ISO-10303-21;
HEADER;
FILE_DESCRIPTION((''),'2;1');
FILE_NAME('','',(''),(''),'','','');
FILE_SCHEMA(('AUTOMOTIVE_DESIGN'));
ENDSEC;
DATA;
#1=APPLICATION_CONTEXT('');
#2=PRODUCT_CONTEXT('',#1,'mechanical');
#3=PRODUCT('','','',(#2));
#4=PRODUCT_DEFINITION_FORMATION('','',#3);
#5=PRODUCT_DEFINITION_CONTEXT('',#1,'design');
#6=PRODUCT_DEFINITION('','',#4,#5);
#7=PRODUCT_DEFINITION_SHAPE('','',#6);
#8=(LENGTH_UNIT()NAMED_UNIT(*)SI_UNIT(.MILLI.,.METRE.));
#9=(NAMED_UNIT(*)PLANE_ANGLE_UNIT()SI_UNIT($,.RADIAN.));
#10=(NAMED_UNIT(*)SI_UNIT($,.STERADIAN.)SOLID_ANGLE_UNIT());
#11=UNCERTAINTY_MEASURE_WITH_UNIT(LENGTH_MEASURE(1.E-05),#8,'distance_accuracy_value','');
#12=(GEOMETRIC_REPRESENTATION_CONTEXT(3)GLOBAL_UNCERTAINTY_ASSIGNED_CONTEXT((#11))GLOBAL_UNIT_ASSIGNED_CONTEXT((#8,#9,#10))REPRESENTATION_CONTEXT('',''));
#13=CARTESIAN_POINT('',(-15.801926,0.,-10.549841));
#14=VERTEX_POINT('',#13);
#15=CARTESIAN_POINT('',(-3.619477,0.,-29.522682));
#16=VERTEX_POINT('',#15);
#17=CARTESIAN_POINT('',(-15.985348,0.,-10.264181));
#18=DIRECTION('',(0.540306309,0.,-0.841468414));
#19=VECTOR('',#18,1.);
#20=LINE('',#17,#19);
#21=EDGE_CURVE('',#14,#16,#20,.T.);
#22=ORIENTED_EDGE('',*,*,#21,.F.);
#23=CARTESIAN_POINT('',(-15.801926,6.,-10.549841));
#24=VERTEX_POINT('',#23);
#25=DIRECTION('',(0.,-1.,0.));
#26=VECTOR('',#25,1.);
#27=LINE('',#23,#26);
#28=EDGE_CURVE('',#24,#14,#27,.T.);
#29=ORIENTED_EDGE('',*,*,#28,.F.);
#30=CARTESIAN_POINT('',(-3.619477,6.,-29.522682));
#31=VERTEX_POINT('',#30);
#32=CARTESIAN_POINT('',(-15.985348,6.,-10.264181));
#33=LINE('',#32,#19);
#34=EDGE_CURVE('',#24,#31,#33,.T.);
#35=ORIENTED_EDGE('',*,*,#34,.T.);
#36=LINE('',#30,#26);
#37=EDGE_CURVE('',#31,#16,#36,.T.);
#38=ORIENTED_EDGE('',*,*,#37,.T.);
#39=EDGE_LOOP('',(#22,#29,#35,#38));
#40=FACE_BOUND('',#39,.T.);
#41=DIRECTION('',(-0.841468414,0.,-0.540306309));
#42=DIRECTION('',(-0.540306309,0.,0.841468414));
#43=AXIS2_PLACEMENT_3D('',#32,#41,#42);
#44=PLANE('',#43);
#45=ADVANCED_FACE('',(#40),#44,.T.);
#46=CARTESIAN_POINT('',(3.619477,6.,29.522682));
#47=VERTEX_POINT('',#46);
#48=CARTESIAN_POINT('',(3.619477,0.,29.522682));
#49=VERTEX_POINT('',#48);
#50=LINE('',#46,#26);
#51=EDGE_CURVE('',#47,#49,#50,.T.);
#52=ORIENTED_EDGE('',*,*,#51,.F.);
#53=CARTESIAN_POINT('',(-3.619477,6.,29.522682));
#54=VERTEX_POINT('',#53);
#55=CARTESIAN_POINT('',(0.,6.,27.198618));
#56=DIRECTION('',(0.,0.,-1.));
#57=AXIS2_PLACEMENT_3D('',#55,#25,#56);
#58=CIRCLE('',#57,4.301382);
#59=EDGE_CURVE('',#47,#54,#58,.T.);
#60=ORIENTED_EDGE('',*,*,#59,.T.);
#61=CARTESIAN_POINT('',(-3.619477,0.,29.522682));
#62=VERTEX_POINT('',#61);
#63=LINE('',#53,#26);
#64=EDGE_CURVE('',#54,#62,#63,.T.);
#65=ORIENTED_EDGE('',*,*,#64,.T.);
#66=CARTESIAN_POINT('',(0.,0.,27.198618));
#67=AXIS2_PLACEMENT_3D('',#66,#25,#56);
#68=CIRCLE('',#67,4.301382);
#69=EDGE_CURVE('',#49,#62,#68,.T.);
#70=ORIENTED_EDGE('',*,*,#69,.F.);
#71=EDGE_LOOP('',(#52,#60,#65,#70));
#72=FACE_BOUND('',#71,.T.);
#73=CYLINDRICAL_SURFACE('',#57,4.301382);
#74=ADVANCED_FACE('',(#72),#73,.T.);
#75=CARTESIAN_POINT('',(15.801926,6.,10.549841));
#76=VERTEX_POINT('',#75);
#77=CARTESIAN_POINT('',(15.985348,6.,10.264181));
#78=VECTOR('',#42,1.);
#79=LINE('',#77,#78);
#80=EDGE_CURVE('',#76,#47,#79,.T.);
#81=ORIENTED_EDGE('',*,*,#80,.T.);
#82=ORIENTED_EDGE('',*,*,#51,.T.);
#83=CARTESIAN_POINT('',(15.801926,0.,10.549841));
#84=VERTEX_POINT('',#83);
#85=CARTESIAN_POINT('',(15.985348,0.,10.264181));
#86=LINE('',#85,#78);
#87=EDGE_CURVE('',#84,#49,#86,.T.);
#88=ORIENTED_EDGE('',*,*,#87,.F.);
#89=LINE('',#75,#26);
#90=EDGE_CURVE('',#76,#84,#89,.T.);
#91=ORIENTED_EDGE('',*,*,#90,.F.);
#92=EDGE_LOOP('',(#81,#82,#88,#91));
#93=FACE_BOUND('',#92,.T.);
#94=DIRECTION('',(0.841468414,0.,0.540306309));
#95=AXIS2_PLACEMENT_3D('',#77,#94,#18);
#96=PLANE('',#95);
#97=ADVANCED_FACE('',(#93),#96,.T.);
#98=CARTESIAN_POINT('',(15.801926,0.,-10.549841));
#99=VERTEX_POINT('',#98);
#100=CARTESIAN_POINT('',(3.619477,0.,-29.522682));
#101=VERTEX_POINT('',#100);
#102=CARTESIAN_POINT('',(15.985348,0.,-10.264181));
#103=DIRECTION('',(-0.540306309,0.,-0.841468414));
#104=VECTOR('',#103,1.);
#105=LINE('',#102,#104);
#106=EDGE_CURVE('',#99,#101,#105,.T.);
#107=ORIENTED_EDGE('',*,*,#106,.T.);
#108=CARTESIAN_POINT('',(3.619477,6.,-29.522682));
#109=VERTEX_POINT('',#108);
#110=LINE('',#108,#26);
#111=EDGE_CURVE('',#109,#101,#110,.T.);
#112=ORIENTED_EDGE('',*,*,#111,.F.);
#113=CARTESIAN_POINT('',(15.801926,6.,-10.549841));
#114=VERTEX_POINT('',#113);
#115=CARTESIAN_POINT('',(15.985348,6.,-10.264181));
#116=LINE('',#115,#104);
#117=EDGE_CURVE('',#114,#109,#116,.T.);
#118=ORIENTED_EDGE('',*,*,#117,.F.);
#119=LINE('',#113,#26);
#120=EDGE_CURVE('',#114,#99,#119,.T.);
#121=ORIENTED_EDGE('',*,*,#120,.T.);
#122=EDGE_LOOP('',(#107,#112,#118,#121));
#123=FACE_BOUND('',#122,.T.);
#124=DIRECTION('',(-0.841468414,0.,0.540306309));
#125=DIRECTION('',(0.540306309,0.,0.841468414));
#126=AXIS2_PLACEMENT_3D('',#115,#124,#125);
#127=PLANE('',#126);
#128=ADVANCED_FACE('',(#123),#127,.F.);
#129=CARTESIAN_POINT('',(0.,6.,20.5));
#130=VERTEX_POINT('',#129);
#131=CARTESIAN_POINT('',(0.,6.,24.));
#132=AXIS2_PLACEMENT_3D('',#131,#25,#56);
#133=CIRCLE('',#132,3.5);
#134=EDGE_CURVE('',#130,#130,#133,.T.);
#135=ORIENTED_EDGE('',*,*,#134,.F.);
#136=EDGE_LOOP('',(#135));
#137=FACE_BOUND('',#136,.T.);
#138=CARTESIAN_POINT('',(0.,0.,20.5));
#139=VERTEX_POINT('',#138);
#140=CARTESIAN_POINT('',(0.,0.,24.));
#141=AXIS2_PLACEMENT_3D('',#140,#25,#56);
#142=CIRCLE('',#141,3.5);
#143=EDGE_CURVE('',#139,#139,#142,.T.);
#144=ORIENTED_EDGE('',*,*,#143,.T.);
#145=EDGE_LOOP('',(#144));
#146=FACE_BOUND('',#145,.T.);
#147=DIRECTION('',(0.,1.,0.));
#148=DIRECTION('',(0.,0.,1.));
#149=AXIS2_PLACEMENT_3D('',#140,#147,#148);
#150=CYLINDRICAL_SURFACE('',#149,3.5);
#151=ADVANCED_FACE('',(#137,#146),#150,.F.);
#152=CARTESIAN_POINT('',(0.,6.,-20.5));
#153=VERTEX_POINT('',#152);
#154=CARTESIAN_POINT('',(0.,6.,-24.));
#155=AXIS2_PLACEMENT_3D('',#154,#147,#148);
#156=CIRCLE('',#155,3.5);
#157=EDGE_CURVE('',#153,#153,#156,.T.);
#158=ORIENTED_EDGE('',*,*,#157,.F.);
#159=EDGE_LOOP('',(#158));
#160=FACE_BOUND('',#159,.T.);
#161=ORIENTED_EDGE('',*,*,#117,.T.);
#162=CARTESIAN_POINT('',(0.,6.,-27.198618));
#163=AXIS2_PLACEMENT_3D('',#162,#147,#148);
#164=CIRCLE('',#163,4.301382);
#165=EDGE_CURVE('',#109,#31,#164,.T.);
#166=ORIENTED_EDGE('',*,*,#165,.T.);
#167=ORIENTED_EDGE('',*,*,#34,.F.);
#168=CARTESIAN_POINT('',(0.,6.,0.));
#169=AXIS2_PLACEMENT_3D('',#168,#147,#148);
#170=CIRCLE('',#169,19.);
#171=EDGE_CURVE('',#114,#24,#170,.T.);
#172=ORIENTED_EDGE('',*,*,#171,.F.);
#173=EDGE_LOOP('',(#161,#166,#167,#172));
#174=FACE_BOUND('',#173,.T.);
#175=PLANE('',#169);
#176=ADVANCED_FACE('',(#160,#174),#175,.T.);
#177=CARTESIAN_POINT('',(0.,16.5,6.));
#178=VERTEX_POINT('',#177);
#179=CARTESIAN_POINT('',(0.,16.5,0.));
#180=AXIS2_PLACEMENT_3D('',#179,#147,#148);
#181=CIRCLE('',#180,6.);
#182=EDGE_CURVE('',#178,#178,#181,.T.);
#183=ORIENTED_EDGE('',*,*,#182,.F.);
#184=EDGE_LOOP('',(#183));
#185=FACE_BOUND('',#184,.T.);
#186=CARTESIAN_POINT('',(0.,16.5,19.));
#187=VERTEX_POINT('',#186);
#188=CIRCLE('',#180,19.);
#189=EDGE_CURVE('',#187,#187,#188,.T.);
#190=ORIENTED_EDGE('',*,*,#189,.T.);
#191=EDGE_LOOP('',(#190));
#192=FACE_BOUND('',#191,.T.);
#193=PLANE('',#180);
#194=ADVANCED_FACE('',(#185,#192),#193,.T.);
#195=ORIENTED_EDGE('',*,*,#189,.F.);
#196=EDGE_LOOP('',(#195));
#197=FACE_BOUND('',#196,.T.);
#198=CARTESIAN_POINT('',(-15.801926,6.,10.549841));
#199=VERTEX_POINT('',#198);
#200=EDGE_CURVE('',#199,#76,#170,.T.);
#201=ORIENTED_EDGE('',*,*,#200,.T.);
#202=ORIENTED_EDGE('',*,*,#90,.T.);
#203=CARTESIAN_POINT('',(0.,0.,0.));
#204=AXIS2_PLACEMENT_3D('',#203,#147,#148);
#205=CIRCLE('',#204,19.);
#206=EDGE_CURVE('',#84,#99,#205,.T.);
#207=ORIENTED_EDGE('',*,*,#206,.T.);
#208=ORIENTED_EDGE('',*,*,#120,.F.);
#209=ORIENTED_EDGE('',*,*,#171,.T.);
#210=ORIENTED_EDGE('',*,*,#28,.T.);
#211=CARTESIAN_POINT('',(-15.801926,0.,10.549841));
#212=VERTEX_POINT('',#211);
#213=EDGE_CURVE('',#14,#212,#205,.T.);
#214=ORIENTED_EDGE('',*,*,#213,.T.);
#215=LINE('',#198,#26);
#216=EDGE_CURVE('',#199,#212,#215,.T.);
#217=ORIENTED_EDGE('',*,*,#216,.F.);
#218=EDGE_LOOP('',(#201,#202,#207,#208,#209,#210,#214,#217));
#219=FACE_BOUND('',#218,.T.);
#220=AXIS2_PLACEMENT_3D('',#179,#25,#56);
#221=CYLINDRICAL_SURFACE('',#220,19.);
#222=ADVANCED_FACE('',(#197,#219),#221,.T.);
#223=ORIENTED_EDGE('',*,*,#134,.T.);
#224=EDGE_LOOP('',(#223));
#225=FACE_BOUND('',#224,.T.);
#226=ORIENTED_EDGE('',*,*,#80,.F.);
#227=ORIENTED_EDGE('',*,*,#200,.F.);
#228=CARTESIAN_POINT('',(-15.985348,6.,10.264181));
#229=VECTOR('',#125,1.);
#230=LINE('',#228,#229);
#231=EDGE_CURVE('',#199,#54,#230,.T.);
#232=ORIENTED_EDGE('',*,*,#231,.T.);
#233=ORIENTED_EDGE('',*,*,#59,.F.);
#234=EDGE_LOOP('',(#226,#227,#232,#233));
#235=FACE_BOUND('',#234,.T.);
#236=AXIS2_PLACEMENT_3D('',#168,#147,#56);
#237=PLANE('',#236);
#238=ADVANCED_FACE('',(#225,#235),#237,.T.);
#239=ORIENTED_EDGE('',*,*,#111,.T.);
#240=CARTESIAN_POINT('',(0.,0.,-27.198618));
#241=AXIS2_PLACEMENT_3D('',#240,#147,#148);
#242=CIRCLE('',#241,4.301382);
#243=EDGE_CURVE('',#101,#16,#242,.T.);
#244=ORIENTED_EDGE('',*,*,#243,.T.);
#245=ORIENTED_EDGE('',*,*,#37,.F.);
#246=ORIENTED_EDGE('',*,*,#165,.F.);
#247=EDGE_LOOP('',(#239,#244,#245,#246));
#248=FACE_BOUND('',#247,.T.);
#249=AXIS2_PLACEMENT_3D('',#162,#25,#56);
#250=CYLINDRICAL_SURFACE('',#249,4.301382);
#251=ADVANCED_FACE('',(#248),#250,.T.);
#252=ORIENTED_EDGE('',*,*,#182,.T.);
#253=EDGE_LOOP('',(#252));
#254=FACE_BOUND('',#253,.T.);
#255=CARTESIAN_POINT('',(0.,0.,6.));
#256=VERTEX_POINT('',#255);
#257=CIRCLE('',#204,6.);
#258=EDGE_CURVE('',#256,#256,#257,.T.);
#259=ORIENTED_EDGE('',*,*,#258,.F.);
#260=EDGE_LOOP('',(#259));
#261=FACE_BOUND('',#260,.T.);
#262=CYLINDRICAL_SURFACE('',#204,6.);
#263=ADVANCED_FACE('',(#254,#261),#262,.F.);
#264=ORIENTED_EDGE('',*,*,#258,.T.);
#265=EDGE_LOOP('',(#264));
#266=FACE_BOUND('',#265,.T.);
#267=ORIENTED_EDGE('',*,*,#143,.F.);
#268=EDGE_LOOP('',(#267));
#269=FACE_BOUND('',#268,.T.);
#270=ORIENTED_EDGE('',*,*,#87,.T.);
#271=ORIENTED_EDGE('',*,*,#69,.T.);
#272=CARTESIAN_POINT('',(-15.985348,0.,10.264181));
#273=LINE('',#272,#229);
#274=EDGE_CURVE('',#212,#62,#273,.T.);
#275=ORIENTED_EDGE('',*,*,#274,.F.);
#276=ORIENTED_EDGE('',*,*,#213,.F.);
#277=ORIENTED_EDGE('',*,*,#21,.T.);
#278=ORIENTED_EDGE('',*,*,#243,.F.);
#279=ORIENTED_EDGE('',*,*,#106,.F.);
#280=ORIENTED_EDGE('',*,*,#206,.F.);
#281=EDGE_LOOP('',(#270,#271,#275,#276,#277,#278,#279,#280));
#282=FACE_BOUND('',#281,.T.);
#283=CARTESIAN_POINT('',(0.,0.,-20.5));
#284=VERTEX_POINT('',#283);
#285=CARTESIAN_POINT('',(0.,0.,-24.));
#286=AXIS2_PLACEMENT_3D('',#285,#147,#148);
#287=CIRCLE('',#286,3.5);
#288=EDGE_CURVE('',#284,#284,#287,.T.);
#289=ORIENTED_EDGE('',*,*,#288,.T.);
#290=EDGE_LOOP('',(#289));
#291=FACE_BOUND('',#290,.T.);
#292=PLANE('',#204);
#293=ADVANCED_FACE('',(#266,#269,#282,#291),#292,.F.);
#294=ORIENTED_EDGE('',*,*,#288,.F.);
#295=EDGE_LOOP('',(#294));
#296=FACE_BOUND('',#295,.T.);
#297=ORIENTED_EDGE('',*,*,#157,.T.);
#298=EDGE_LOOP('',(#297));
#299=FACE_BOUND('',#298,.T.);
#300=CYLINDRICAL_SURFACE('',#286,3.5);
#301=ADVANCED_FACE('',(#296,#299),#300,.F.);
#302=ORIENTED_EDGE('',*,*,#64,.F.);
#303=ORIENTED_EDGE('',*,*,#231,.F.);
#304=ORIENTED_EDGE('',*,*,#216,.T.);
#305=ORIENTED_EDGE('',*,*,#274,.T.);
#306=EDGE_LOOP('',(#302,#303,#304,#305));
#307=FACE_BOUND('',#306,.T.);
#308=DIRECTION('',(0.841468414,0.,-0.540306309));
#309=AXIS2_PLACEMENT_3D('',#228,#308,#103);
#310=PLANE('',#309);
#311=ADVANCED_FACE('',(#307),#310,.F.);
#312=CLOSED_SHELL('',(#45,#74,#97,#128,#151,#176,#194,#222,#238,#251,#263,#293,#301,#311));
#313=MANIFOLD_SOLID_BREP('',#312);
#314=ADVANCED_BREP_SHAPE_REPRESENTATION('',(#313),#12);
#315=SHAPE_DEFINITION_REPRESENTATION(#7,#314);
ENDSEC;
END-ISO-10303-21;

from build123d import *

# Parameters (mm, degrees)
SKETCH1_R           = 19
BOSS_EXTRUDE1_DEPTH = 16.5
BOSS_EXTRUDE2_DEPTH = 6
SKETCH3_R           = 6
CUT_EXTRUDE1_DEPTH  = 41.317490001
SKETCH4_R           = 3.5
CUT_EXTRUDE2_DEPTH  = 39.255718527


with BuildPart() as part:
    # Sketch1 → Boss-Extrude1 (new body)
    with BuildSketch(Plane(origin=(0, 0, 0), x_dir=(1, 0, 0), z_dir=(0, 1, 0))):
        with Locations(Location((0, 0, 0), (0, 0, 270))):
            Circle(SKETCH1_R)
    extrude(amount=BOSS_EXTRUDE1_DEPTH)

    # Sketch2 → Boss-Extrude2 (add)
    with BuildSketch(Plane(origin=(0, 0, 0), x_dir=(1, 0, 0), z_dir=(0, 1, 0))):
        with BuildLine():
            Line((0, 10.549840688), (0, 22.89723562))
            ThreePointArc((0, 22.89723562), (-3.774822907, 25.136434317), (-3.61947725, 29.522681746))
            Line((-3.61947725, 29.522681746), (-15.801925878, 10.549840688))
            Line((-15.801925878, 10.549840688), (0, 10.549840688))
        make_face()
        with BuildLine():
            ThreePointArc((4.30138219, 27.19861781), (3.041536515, 24.157081295), (0, 22.89723562))
            Line((0, 22.89723562), (0, 10.549840688))
            Line((0, 10.549840688), (15.801925878, 10.549840688))
            Line((15.801925878, 10.549840688), (3.61947725, 29.522681746))
            ThreePointArc((3.61947725, 29.522681746), (4.127386808, 28.409636753), (4.30138219, 27.19861781))
        make_face()
        with BuildLine():
            ThreePointArc((3.61947725, 29.522681746), (2.062183493, 30.973440718), (0, 31.5))
            Line((0, 31.5), (0, 22.89723562))
            ThreePointArc((0, 22.89723562), (3.041536515, 24.157081295), (4.30138219, 27.19861781))
            ThreePointArc((4.30138219, 27.19861781), (4.127386808, 28.409636753), (3.61947725, 29.522681746))
        make_face()
        with BuildLine():
            Line((0, 22.89723562), (0, 31.5))
            ThreePointArc((0, 31.5), (-2.062183493, 30.973440718), (-3.61947725, 29.522681746))
            ThreePointArc((-3.61947725, 29.522681746), (-3.774822907, 25.136434317), (0, 22.89723562))
        make_face()
    boss_extrude2 = extrude(amount=BOSS_EXTRUDE2_DEPTH)

    # Sketch3 → Cut-Extrude1 (cut, through all)
    with BuildSketch(Plane(origin=(0, 16.5, 0), x_dir=(1, 0, 0), z_dir=(0, 1, 0))):
        with Locations(Location((0, 0, 0), (0, 0, 270))):
            Circle(SKETCH3_R)
    extrude(amount=-CUT_EXTRUDE1_DEPTH, mode=Mode.SUBTRACT)

    # Sketch4 → Cut-Extrude2 (cut, through all)
    with BuildSketch(Plane(origin=(0, 6, 0), x_dir=(1, 0, 0), z_dir=(0, 1, 0))):
        with Locations(Location((0, 24, 0), (0, 0, 270))):
            Circle(SKETCH4_R)
    cut_extrude2 = extrude(amount=-CUT_EXTRUDE2_DEPTH, mode=Mode.SUBTRACT)

    # Mirror1: Boss-Extrude2, Cut-Extrude2 across plane
    add(boss_extrude2.mirror(Plane.XY))
    add(cut_extrude2.mirror(Plane.XY), mode=Mode.SUBTRACT)


solid = part.part
